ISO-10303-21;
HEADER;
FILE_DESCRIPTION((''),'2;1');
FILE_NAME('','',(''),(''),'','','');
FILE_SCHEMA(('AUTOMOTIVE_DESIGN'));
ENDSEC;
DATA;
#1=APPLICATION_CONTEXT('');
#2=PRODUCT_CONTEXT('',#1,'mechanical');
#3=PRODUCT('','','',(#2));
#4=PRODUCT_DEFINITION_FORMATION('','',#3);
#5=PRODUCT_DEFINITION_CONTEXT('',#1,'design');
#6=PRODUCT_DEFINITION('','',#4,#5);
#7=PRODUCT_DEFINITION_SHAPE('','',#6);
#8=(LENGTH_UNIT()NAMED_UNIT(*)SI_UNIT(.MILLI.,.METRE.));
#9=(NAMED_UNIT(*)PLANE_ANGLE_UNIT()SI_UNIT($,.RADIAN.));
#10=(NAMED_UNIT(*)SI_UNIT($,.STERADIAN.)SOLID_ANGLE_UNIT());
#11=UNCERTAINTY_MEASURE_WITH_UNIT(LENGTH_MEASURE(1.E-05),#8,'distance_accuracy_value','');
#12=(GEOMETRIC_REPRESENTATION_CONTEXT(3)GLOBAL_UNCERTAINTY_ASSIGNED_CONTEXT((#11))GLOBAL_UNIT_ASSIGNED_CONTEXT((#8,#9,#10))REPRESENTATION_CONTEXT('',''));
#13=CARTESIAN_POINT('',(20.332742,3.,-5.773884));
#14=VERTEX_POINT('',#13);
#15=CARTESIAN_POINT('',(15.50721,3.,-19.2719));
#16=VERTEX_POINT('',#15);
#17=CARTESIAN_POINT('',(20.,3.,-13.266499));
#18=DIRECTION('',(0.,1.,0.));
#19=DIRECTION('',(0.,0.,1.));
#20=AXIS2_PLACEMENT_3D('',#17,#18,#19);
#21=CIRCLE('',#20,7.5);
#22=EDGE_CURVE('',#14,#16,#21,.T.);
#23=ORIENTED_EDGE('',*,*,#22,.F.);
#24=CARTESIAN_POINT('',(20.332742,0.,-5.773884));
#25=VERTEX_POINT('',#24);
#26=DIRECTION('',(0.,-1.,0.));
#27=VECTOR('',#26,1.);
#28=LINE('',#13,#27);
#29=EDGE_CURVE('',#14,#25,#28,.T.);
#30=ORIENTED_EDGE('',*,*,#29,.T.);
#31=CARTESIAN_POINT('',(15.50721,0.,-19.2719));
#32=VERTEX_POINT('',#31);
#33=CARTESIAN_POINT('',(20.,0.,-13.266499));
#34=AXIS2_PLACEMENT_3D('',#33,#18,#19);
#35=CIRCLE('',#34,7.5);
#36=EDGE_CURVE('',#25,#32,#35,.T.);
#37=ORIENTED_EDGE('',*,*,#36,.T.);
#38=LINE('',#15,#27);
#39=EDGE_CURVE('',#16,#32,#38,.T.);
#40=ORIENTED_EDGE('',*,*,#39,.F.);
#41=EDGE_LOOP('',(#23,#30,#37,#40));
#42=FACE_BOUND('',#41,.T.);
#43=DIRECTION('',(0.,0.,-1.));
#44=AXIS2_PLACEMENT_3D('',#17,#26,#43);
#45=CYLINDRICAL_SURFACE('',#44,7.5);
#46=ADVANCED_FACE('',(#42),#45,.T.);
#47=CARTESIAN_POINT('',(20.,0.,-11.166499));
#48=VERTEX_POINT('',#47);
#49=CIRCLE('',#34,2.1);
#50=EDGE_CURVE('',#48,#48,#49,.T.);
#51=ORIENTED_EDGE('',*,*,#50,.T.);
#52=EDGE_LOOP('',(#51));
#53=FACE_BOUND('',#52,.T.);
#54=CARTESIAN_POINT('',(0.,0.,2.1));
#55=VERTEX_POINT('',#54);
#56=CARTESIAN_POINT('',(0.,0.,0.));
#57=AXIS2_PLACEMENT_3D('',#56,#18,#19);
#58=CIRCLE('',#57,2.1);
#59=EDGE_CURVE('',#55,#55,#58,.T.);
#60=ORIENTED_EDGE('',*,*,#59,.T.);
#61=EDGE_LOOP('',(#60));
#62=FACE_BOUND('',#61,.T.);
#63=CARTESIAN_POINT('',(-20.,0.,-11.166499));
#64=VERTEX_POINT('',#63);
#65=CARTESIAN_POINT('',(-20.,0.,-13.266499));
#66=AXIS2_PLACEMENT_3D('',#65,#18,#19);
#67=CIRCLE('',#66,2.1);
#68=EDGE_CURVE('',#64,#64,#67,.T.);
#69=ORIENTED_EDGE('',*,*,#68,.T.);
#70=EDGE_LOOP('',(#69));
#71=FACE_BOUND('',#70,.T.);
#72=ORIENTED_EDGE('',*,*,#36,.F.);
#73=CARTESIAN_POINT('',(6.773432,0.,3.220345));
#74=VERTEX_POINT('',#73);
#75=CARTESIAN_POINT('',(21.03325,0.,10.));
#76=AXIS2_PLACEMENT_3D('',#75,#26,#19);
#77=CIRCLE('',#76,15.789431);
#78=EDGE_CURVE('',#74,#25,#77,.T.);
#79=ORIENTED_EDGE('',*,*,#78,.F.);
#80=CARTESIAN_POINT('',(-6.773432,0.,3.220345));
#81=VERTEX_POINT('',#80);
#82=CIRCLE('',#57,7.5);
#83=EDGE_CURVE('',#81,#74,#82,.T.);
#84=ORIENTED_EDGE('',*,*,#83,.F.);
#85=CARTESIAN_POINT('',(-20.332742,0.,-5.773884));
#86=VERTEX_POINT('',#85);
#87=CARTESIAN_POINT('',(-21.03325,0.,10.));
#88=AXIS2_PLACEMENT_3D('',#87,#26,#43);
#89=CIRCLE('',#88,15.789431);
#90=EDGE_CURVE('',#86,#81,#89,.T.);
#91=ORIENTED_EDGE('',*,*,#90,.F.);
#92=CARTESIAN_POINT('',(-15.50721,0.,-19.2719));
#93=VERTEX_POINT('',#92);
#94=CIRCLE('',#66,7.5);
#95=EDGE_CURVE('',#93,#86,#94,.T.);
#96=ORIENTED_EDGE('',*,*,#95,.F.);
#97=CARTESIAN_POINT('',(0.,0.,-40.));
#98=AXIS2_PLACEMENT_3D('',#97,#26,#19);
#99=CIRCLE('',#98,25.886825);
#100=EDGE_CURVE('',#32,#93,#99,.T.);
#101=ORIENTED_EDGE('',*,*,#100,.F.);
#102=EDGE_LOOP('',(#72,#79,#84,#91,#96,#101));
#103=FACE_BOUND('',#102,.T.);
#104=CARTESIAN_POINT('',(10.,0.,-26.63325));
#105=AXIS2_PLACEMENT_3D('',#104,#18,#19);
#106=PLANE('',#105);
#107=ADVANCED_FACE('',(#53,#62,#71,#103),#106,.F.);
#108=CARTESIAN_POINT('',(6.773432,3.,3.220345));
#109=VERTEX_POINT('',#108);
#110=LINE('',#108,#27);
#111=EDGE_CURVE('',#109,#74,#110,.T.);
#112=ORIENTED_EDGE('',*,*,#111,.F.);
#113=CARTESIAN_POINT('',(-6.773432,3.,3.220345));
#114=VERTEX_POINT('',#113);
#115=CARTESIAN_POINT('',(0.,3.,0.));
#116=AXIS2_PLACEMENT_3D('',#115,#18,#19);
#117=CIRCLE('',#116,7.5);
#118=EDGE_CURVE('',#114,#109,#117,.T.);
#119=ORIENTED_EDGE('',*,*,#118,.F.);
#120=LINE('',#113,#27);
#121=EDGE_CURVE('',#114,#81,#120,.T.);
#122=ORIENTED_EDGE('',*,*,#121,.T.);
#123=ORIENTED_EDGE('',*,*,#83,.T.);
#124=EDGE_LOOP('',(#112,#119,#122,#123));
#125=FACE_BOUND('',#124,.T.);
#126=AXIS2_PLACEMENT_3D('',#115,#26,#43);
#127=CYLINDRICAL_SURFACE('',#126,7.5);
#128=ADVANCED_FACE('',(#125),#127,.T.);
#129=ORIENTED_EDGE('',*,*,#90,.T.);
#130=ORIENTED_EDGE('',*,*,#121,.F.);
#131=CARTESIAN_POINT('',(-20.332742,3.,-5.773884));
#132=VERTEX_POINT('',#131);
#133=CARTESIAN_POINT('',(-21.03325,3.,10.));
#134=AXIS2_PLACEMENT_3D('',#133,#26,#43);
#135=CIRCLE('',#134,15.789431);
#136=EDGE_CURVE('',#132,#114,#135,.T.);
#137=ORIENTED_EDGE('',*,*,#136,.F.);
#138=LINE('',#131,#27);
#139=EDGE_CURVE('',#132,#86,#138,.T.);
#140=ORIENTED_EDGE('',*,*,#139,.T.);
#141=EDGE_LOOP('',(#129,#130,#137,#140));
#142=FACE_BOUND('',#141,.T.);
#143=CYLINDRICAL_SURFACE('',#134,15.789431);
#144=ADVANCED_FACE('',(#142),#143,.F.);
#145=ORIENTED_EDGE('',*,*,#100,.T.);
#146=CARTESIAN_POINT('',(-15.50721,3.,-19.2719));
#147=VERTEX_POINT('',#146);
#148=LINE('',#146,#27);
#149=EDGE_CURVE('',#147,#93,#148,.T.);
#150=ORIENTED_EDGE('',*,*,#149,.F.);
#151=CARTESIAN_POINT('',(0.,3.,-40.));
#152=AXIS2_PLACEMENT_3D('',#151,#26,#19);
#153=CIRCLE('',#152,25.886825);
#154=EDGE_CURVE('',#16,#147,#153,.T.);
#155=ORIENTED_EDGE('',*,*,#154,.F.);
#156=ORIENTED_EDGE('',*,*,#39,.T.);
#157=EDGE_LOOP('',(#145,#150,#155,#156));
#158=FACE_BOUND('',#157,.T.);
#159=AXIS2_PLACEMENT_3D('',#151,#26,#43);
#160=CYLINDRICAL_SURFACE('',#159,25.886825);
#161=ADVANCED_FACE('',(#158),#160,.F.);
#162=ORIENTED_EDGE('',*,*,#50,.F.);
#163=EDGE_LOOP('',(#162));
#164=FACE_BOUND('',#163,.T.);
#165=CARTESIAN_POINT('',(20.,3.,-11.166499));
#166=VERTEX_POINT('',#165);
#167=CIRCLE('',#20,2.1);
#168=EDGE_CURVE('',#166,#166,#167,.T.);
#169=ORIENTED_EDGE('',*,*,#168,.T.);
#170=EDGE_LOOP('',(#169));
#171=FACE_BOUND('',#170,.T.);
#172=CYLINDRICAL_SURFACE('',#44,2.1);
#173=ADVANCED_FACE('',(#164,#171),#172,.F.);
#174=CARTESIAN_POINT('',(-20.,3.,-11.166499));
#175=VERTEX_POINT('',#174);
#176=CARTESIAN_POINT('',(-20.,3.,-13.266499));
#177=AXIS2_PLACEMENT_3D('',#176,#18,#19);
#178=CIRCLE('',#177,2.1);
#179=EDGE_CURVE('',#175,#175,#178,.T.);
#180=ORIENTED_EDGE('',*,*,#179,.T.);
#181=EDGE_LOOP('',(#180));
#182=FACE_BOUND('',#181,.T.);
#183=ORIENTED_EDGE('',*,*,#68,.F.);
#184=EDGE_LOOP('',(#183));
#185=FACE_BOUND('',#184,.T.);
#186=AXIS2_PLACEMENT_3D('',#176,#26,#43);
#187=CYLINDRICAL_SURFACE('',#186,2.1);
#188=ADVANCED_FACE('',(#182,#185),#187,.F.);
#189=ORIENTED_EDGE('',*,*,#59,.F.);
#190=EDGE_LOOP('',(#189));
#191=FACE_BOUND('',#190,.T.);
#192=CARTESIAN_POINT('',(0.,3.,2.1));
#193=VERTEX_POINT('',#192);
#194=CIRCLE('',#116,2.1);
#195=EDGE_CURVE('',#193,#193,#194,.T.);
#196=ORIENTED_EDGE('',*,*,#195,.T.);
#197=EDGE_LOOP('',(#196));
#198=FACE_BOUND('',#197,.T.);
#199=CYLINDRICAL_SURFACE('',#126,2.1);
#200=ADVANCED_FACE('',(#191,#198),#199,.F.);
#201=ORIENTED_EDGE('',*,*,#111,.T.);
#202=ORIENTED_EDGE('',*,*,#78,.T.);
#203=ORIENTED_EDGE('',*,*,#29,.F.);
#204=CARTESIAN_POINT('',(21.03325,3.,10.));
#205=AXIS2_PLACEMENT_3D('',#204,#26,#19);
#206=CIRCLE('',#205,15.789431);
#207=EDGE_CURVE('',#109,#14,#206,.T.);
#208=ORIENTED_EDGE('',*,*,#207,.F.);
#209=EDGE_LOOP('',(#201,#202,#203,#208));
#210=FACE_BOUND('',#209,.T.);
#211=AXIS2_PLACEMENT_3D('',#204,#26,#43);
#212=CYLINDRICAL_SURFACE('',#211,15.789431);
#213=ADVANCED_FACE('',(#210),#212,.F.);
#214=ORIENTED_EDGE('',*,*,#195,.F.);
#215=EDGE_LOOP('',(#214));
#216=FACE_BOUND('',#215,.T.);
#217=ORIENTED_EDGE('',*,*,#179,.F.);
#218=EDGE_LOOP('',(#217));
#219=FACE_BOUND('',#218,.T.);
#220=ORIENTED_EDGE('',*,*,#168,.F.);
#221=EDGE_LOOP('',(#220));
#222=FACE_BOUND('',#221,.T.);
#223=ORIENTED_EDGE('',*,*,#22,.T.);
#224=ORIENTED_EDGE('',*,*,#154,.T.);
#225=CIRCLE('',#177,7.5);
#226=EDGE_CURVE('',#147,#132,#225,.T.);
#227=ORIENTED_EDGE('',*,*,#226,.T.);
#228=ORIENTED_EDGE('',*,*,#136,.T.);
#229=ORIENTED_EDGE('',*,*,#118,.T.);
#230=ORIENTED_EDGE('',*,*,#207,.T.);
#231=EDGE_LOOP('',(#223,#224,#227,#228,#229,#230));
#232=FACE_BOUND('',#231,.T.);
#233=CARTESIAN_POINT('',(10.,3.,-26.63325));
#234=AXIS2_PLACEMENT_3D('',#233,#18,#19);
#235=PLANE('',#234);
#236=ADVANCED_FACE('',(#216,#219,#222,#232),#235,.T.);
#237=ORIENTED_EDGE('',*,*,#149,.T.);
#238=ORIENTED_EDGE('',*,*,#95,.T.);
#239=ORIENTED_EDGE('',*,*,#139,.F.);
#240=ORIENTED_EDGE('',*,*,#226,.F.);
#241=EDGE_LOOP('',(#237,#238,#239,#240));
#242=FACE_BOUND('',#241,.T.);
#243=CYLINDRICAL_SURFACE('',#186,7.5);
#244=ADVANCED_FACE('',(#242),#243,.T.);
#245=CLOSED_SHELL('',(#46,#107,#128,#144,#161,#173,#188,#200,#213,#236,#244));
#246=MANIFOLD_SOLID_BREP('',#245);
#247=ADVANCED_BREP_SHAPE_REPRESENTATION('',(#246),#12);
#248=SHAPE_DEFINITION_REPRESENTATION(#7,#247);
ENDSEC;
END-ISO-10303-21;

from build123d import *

# Parameters (mm, degrees)
SKETCH1_R           = 2.1
BOSS_EXTRUDE1_DEPTH = 3


with BuildPart() as part:
    # Sketch1 → Boss-Extrude1 (new body)
    with BuildSketch(Plane(origin=(0, 0, 0), x_dir=(1, 0, 0), z_dir=(0, 1, 0))):
        with BuildLine():
            ThreePointArc((-6.773431823, -3.22034491), (0, -7.5), (6.773431823, -3.22034491))
            ThreePointArc((6.773431823, -3.22034491), (12.3053133, 3.157859017), (20.332742003, 5.773883946))
            ThreePointArc((20.332742003, 5.773883946), (27.062266479, 15.791255027), (15.507209772, 19.271899728))
            ThreePointArc((15.507209772, 19.271899728), (0, 14.113175247), (-15.507209772, 19.271899728))
            ThreePointArc((-15.507209772, 19.271899728), (-27.062266479, 15.791255027), (-20.332742003, 5.773883946))
            ThreePointArc((-20.332742003, 5.773883946), (-12.3053133, 3.157859017), (-6.773431823, -3.22034491))
        make_face()
        with Locations(Location((0, 0, 0), (0, 0, 270))):
            Circle(SKETCH1_R, mode=Mode.SUBTRACT)
        with Locations(Location((20, 13.266499161, 0), (0, 0, 270))):
            Circle(SKETCH1_R, mode=Mode.SUBTRACT)
        with Locations(Location((-20, 13.266499161, 0), (0, 0, 270))):
            Circle(SKETCH1_R, mode=Mode.SUBTRACT)
    extrude(amount=BOSS_EXTRUDE1_DEPTH)


solid = part.part
